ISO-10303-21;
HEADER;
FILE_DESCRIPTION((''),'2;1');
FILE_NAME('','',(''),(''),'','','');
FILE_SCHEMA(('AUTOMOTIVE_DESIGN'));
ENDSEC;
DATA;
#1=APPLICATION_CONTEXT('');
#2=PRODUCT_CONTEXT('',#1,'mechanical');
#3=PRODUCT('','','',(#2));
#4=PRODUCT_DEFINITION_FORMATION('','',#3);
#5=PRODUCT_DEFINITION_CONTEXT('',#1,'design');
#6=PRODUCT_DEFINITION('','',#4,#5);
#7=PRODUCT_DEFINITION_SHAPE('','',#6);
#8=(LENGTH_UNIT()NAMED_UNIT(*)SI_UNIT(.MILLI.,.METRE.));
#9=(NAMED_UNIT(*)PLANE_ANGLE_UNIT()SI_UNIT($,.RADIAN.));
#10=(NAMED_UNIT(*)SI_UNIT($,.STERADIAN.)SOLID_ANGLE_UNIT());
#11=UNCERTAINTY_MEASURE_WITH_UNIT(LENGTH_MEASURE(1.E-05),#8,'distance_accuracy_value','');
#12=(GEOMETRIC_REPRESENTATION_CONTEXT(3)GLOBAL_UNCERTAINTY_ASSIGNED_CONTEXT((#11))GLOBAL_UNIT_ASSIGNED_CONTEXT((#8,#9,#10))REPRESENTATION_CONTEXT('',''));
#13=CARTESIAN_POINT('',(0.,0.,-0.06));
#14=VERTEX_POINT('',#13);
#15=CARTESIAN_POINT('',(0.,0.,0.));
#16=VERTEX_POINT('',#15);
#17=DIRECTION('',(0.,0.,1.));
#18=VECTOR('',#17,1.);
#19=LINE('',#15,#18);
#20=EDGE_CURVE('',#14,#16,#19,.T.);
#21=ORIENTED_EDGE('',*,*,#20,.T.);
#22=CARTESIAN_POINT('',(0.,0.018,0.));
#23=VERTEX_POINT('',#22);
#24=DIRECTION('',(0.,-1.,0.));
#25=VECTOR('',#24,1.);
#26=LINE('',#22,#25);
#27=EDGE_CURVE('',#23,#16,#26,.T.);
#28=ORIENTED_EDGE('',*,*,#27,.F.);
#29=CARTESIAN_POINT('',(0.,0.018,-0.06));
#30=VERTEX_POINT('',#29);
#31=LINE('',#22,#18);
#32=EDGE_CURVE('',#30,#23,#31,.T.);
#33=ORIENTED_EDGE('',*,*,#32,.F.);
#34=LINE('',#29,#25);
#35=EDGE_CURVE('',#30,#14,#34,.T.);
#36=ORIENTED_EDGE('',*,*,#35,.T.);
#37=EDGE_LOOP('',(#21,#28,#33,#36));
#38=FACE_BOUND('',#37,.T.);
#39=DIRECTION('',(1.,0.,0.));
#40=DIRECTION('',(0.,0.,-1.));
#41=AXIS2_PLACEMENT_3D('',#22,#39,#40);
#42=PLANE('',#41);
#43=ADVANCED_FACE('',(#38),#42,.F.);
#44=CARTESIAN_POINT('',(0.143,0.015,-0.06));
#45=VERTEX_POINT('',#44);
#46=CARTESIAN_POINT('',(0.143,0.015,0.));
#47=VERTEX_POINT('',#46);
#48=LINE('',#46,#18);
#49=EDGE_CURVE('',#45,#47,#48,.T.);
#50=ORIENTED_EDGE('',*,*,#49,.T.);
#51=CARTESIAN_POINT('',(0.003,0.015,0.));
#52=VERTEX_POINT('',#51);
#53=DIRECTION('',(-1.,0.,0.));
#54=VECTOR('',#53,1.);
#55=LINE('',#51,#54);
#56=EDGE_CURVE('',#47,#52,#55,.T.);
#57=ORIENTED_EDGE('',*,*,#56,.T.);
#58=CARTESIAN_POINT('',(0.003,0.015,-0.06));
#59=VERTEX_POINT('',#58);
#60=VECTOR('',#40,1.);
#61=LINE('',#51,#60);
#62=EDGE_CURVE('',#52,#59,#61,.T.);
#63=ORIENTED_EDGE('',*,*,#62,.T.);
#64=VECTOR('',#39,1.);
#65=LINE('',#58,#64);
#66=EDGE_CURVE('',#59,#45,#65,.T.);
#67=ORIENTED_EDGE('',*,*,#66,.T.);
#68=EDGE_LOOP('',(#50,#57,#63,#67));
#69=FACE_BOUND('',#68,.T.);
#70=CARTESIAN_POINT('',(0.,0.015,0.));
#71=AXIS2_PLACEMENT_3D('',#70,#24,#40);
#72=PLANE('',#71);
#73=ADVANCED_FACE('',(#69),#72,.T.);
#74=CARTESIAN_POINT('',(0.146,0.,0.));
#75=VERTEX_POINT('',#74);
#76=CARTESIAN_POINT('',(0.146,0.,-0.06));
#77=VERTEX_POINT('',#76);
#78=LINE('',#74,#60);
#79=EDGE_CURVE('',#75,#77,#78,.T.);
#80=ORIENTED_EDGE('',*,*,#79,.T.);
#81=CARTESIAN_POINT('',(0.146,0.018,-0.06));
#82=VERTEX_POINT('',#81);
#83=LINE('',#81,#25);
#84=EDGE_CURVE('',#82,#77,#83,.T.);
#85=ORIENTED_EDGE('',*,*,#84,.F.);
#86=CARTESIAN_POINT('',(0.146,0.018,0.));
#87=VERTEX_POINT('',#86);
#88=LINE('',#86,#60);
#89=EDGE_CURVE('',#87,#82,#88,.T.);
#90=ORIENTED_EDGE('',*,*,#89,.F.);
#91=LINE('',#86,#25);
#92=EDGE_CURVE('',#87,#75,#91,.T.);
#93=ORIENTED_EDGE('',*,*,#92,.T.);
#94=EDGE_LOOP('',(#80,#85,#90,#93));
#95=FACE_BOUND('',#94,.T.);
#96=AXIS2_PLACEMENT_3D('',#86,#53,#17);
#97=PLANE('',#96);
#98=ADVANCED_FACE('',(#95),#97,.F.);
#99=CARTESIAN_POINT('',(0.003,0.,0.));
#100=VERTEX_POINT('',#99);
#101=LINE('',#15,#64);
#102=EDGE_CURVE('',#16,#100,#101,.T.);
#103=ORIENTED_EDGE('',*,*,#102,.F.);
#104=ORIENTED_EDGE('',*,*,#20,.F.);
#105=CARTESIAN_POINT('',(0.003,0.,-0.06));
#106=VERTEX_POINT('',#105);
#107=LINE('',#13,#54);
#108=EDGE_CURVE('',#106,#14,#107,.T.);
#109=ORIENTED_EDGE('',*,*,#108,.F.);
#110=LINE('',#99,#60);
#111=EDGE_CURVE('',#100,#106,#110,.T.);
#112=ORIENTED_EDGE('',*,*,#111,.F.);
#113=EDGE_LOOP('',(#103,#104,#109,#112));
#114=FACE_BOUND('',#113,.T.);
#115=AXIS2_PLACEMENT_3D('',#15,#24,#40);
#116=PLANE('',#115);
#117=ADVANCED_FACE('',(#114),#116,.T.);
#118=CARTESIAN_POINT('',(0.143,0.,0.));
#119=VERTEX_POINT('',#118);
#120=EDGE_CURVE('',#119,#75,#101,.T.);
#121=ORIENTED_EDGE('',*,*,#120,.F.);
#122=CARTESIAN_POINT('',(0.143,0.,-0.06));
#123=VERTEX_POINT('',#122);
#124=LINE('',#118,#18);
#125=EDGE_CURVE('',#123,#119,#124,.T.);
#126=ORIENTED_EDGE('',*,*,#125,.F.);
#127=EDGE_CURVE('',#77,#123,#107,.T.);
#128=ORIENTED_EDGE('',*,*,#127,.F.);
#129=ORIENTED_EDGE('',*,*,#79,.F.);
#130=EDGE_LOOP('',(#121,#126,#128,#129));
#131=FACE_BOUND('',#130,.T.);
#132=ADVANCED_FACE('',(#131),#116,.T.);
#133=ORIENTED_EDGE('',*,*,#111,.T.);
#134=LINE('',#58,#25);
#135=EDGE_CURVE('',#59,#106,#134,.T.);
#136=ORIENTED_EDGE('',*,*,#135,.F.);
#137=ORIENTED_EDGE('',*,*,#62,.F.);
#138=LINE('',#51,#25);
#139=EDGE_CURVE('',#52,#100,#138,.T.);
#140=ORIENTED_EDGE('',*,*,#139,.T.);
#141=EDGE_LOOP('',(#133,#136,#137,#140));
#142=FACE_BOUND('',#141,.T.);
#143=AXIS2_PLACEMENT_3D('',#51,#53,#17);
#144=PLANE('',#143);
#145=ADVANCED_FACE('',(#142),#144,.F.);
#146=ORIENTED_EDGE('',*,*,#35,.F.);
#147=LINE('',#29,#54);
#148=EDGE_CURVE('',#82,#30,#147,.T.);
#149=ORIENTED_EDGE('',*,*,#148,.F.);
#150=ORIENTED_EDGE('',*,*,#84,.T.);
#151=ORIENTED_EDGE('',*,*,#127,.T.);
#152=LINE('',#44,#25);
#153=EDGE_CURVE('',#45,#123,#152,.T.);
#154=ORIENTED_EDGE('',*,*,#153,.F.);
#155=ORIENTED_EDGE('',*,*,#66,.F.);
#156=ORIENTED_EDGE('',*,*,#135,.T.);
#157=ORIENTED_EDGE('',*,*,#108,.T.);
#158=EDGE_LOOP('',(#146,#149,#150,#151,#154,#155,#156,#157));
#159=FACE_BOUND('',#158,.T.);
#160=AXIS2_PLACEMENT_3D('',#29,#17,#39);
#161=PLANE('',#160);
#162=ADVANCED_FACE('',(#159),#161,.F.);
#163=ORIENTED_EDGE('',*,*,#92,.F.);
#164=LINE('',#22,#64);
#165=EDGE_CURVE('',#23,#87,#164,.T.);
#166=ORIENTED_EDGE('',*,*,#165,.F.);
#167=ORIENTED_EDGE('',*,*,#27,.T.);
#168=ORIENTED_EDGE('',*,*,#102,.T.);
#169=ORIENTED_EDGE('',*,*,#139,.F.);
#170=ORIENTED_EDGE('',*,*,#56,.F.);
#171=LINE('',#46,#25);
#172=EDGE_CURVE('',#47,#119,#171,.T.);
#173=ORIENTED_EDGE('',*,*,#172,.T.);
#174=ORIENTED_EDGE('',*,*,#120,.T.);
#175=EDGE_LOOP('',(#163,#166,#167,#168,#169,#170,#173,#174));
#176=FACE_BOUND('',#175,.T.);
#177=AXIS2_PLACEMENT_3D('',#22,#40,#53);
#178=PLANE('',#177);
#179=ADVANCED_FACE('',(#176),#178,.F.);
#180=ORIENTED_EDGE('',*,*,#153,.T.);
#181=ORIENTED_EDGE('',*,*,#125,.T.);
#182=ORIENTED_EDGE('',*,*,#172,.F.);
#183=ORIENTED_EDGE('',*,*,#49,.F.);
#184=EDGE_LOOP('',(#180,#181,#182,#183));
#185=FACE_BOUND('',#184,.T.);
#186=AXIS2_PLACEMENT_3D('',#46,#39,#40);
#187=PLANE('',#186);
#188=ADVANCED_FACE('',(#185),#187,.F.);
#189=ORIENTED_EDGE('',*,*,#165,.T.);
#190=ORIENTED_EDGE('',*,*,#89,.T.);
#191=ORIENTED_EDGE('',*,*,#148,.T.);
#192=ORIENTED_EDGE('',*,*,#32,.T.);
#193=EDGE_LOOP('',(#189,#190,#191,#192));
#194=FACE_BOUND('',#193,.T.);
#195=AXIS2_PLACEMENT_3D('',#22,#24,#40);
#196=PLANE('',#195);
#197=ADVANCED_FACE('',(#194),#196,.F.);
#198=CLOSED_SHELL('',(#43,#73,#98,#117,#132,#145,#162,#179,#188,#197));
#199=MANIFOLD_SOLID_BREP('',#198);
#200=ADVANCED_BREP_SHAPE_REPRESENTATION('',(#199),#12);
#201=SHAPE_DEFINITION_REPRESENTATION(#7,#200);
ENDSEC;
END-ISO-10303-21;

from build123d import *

# Parameters (mm, degrees)
SKETCH1_W           = 0.146
SKETCH1_H           = 0.06
BOSS_EXTRUDE1_DEPTH = 0.018
SKETCH4_W           = 0.14
SKETCH4_H           = 0.06
CUT_EXTRUDE1_DEPTH  = 0.015


with BuildPart() as part:
    # Sketch1 → Boss-Extrude1 (new body)
    with BuildSketch(Plane(origin=(0, 0, 0), x_dir=(1, 0, 0), z_dir=(0, 1, 0))):
        with Locations((0.073, 0.03)):
            Rectangle(SKETCH1_W, SKETCH1_H)
    extrude(amount=BOSS_EXTRUDE1_DEPTH)

    # Sketch4 → Cut-Extrude1 (cut)
    with BuildSketch(Plane.XZ):
        with Locations((0.073, -0.03)):
            Rectangle(SKETCH4_W, SKETCH4_H)
    extrude(amount=-CUT_EXTRUDE1_DEPTH, mode=Mode.SUBTRACT)


solid = part.part
